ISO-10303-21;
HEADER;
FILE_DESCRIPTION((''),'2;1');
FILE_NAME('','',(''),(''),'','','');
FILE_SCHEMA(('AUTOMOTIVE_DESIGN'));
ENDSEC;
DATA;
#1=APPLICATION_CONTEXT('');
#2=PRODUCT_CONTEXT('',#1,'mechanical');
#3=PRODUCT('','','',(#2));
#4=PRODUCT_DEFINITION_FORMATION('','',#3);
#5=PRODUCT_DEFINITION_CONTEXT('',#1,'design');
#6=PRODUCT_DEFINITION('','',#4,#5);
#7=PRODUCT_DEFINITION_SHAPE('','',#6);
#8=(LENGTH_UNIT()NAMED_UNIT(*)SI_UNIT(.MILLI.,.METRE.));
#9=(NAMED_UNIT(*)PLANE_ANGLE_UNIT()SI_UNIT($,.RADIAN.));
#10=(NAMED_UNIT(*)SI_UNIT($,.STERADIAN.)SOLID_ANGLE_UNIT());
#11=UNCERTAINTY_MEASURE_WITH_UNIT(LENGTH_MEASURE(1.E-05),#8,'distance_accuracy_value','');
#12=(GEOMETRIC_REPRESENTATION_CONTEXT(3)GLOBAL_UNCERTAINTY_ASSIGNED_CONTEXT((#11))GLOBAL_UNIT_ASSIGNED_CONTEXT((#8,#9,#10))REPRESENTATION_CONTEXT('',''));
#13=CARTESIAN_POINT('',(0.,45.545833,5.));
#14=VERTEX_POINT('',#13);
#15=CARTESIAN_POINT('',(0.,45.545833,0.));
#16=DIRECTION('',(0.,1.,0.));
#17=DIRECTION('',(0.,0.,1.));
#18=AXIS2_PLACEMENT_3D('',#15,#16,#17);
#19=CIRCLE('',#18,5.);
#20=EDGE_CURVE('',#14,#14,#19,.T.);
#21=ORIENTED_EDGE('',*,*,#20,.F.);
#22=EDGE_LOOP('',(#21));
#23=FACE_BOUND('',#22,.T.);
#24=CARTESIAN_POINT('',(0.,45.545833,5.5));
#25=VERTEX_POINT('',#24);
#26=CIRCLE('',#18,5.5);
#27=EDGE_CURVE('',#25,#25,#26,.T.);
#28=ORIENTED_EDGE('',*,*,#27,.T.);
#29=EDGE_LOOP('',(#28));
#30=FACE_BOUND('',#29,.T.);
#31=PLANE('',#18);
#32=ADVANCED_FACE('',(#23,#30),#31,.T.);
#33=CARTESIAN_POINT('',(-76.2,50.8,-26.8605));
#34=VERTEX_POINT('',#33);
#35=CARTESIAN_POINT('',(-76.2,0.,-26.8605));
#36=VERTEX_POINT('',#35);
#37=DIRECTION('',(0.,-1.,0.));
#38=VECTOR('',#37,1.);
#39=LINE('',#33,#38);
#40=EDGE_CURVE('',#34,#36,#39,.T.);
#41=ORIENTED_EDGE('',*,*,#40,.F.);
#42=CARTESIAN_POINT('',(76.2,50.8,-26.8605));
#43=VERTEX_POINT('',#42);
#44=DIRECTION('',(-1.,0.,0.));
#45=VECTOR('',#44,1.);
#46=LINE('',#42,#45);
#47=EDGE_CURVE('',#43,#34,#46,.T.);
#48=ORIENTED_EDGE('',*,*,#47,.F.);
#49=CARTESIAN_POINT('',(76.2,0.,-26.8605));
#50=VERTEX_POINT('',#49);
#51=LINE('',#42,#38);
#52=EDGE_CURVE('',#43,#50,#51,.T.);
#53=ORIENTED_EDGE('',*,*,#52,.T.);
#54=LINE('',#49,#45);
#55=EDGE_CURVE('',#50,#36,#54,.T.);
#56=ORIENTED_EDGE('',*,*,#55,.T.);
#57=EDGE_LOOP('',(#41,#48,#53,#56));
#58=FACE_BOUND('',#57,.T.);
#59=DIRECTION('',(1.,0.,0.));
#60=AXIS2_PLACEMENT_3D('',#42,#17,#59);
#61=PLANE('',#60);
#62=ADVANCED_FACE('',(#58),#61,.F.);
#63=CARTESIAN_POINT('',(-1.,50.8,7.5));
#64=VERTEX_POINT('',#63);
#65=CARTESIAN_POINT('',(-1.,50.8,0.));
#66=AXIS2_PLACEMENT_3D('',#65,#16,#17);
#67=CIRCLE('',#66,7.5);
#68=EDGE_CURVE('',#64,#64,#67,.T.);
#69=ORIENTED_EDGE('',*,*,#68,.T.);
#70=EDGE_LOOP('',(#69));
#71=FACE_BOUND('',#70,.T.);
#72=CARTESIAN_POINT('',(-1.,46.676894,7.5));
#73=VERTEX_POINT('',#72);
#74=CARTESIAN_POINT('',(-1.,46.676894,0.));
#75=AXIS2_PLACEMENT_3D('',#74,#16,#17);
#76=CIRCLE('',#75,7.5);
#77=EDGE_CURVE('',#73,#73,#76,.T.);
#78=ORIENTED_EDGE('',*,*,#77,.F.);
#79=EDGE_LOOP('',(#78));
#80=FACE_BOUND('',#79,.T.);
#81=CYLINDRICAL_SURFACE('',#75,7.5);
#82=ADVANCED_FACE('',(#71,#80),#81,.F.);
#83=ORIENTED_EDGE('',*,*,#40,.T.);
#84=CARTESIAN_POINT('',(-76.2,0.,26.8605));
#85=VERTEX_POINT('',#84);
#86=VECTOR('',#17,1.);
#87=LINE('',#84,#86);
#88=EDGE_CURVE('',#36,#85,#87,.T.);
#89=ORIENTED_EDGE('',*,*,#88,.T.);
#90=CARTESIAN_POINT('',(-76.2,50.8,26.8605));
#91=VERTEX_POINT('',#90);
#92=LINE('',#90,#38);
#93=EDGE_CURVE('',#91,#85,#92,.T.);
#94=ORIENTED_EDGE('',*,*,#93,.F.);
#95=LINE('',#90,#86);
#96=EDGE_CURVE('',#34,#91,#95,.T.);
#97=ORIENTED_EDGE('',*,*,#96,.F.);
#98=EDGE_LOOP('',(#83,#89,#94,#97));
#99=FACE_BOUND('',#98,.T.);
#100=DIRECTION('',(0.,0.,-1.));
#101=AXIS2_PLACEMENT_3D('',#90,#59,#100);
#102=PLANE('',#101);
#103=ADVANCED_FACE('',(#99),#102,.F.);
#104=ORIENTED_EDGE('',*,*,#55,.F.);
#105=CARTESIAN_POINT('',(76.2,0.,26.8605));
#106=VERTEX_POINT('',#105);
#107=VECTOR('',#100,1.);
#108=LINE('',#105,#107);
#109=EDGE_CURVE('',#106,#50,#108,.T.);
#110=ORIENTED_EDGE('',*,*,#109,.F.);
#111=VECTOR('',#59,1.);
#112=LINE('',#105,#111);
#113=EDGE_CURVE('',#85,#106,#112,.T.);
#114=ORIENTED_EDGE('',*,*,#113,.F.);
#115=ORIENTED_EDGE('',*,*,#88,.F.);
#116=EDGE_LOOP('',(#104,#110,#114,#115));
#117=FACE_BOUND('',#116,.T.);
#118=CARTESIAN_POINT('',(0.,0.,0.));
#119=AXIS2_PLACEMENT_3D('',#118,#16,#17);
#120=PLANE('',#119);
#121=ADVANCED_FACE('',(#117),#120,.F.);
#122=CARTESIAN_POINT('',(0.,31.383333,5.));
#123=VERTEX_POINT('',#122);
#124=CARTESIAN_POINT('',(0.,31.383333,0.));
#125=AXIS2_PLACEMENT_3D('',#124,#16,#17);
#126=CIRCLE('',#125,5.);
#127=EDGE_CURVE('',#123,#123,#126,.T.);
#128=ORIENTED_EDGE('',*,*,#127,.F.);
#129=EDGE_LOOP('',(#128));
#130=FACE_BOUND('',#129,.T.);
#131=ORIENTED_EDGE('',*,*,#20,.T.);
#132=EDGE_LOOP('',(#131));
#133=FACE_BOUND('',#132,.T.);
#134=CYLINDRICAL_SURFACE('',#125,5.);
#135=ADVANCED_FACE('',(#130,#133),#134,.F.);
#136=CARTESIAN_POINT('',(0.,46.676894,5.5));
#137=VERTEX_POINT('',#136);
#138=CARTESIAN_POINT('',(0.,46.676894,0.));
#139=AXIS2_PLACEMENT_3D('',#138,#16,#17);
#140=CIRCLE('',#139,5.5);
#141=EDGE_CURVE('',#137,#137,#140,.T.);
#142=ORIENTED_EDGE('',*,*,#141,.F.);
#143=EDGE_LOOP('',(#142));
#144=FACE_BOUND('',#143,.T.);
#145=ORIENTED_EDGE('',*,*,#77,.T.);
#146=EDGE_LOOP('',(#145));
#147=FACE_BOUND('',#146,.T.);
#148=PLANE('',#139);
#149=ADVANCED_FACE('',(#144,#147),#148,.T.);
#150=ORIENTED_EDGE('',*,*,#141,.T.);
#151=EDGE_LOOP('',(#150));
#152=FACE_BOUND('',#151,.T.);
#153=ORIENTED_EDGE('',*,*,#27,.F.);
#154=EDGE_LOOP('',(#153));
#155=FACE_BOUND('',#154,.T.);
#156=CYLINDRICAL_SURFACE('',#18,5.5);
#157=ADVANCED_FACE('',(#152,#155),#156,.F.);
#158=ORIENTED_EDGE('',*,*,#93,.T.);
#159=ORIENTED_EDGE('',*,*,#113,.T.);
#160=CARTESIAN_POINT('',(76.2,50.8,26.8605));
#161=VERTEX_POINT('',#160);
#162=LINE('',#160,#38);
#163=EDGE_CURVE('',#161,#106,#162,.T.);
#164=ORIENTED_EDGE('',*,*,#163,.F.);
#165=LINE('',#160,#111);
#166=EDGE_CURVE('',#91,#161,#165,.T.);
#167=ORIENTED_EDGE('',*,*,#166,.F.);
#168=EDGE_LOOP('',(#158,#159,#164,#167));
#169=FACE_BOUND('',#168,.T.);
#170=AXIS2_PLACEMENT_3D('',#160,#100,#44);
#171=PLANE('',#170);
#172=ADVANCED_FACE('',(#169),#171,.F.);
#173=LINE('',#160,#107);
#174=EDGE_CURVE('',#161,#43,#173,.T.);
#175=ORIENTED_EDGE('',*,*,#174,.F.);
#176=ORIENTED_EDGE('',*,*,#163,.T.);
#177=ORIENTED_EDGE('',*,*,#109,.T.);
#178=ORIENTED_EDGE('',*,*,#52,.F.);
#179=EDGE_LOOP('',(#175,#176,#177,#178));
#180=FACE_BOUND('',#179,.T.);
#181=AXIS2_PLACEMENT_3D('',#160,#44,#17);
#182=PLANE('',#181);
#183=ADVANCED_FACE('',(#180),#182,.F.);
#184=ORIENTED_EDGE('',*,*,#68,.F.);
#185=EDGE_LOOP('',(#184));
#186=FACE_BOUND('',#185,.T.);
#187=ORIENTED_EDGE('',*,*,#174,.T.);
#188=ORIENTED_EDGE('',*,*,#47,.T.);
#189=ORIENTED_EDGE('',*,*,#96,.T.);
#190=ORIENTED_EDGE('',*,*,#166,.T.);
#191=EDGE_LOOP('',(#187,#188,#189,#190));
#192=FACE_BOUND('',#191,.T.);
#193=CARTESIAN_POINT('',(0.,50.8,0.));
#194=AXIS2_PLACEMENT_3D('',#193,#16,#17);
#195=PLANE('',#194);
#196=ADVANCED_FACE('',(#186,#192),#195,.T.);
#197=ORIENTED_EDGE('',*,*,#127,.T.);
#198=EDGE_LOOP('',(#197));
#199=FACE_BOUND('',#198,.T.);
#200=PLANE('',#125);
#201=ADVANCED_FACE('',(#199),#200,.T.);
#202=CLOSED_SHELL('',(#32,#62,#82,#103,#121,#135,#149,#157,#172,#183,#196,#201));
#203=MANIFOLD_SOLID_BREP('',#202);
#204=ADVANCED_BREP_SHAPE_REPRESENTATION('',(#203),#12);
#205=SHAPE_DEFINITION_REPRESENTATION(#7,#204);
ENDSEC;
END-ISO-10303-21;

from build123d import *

# Parameters (mm, degrees)
SKETCH1_W           = 152.4
SKETCH1_H           = 53.721
BOSS_EXTRUDE1_DEPTH = 50.8
SKETCH2_R           = 5
CUT_EXTRUDE1_DEPTH  = 19.416667
SKETCH2_4_R         = 5.5
SKETCH2_4_R_2       = 5
CUT_EXTRUDE2_DEPTH  = 5.254167
SKETCH2_5_R         = 7.5
SKETCH2_5_R_2       = 5.5
CUT_EXTRUDE3_DEPTH  = 4.123106


with BuildPart() as part:
    # Sketch1 → Boss-Extrude1 (new body)
    with BuildSketch(Plane(origin=(0, 0, 0), x_dir=(1, 0, 0), z_dir=(0, 1, 0))):
        Rectangle(SKETCH1_W, SKETCH1_H)
    extrude(amount=BOSS_EXTRUDE1_DEPTH)

    # Sketch2 → Cut-Extrude1 (cut)
    with BuildSketch(Plane(origin=(0, 50.8, 0), x_dir=(1, 0, 0), z_dir=(0, 1, 0))):
        Circle(SKETCH2_R)
    extrude(amount=-CUT_EXTRUDE1_DEPTH, mode=Mode.SUBTRACT)

    # Sketch2<4> → Cut-Extrude2 (cut)
    with BuildSketch(Plane(origin=(0, 50.8, 0), x_dir=(1, 0, 0), z_dir=(0, 1, 0))):
        Circle(SKETCH2_4_R)
        Circle(SKETCH2_4_R_2, mode=Mode.SUBTRACT)
    extrude(amount=-CUT_EXTRUDE2_DEPTH, mode=Mode.SUBTRACT)

    # Sketch2<5> → Cut-Extrude3 (cut)
    with BuildSketch(Plane(origin=(0, 50.8, 0), x_dir=(1, 0, 0), z_dir=(0, 1, 0))):
        with Locations((-1, 0)):
            Circle(SKETCH2_5_R)
        Circle(SKETCH2_5_R_2, mode=Mode.SUBTRACT)
    extrude(amount=-CUT_EXTRUDE3_DEPTH, mode=Mode.SUBTRACT)


solid = part.part
